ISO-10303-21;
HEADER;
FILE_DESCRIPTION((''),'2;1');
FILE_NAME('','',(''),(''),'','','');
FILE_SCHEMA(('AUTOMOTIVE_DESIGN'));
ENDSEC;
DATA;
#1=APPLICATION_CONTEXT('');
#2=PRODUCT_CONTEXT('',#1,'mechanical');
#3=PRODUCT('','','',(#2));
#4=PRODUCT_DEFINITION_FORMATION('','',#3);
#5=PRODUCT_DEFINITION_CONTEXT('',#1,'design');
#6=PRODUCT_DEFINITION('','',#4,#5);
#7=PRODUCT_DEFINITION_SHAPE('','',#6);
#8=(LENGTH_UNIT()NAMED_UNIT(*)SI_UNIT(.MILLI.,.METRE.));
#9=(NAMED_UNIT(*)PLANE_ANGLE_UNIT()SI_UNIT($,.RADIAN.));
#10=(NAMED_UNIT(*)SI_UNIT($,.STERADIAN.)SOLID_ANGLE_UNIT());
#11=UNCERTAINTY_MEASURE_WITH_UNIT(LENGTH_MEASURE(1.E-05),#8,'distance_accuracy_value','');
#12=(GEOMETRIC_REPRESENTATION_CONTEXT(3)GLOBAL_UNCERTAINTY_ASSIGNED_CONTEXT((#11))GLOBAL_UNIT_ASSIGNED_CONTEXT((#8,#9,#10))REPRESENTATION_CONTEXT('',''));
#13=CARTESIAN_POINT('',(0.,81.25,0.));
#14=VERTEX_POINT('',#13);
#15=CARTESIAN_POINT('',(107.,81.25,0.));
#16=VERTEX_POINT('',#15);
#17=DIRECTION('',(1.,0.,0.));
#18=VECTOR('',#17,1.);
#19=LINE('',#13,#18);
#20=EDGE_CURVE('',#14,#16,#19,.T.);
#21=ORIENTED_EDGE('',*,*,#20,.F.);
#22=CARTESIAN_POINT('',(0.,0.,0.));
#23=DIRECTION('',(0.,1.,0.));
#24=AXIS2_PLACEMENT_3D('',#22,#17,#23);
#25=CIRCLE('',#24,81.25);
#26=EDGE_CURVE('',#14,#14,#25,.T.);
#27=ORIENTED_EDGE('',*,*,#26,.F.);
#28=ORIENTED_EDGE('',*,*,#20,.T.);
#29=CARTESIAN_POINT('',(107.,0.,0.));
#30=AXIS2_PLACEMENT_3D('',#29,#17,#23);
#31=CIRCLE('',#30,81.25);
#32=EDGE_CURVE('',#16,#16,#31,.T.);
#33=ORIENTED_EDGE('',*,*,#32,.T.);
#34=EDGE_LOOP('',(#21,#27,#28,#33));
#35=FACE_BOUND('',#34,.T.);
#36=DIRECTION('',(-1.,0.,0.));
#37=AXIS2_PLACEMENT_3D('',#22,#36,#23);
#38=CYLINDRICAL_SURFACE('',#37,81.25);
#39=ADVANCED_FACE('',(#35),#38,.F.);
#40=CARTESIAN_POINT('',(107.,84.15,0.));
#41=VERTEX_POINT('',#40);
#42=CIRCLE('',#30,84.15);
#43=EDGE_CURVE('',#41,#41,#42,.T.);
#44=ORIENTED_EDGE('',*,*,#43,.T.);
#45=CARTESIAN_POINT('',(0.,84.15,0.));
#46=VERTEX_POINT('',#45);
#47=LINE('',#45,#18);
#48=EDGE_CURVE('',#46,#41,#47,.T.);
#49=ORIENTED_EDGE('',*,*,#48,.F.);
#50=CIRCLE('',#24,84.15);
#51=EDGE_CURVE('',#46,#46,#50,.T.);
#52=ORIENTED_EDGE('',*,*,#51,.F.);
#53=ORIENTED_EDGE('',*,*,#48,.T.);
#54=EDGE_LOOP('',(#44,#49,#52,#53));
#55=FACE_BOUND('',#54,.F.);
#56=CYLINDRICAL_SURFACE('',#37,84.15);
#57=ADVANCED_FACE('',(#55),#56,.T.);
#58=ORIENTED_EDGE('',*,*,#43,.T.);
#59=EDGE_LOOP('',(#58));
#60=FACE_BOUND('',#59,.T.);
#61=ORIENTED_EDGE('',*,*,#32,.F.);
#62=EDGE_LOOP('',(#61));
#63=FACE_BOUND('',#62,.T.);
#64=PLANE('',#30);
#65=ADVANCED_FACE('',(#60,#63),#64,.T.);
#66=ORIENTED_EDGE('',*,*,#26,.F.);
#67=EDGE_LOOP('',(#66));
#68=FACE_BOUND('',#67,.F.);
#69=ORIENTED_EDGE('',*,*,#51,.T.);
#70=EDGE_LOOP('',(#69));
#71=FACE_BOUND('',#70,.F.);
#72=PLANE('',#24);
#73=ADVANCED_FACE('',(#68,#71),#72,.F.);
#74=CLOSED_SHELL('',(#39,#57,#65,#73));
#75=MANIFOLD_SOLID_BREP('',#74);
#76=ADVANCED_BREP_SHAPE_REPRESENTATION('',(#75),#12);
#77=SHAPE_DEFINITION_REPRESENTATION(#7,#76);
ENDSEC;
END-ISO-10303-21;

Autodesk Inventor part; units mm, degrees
ref_plane "YZ Plane" through (0, 0, 0) normal (1, 0, 0) x (0, 1, 0)
ref_plane "XZ Plane" through (0, 0, 0) normal (0, 1, 0) x (-1, 0, 0)
ref_plane "XY Plane" through (0, 0, 0) normal (0, 0, 1) x (1, 0, 0)
sketch "Sketch1" plane through (0, 0, 0) normal (1, 0, 0) x (0, 1, 0)
  circle A0 centre (0, 0) radius 84.15
  circle A1 centre (0, 0) radius 81.25
  dimension "d0" = 168.3
  dimension "d1" = 2.9
extrude "Extrusion1" add sketch "Sketch1" along normal blind 107
equation "\"d0\" = OD"
equation "\"d1\" = t"
equation "\"d2\" = L"
equation "\"OD\" = 168.3"
equation "\"t\" = 2.9"
equation "\"L\" = PL"
equation "\"ID\" = 162.5"
equation "\"PL\" = 107"
equation "\"Size_Designation\" = 1.2345"
properties material "Steel"
